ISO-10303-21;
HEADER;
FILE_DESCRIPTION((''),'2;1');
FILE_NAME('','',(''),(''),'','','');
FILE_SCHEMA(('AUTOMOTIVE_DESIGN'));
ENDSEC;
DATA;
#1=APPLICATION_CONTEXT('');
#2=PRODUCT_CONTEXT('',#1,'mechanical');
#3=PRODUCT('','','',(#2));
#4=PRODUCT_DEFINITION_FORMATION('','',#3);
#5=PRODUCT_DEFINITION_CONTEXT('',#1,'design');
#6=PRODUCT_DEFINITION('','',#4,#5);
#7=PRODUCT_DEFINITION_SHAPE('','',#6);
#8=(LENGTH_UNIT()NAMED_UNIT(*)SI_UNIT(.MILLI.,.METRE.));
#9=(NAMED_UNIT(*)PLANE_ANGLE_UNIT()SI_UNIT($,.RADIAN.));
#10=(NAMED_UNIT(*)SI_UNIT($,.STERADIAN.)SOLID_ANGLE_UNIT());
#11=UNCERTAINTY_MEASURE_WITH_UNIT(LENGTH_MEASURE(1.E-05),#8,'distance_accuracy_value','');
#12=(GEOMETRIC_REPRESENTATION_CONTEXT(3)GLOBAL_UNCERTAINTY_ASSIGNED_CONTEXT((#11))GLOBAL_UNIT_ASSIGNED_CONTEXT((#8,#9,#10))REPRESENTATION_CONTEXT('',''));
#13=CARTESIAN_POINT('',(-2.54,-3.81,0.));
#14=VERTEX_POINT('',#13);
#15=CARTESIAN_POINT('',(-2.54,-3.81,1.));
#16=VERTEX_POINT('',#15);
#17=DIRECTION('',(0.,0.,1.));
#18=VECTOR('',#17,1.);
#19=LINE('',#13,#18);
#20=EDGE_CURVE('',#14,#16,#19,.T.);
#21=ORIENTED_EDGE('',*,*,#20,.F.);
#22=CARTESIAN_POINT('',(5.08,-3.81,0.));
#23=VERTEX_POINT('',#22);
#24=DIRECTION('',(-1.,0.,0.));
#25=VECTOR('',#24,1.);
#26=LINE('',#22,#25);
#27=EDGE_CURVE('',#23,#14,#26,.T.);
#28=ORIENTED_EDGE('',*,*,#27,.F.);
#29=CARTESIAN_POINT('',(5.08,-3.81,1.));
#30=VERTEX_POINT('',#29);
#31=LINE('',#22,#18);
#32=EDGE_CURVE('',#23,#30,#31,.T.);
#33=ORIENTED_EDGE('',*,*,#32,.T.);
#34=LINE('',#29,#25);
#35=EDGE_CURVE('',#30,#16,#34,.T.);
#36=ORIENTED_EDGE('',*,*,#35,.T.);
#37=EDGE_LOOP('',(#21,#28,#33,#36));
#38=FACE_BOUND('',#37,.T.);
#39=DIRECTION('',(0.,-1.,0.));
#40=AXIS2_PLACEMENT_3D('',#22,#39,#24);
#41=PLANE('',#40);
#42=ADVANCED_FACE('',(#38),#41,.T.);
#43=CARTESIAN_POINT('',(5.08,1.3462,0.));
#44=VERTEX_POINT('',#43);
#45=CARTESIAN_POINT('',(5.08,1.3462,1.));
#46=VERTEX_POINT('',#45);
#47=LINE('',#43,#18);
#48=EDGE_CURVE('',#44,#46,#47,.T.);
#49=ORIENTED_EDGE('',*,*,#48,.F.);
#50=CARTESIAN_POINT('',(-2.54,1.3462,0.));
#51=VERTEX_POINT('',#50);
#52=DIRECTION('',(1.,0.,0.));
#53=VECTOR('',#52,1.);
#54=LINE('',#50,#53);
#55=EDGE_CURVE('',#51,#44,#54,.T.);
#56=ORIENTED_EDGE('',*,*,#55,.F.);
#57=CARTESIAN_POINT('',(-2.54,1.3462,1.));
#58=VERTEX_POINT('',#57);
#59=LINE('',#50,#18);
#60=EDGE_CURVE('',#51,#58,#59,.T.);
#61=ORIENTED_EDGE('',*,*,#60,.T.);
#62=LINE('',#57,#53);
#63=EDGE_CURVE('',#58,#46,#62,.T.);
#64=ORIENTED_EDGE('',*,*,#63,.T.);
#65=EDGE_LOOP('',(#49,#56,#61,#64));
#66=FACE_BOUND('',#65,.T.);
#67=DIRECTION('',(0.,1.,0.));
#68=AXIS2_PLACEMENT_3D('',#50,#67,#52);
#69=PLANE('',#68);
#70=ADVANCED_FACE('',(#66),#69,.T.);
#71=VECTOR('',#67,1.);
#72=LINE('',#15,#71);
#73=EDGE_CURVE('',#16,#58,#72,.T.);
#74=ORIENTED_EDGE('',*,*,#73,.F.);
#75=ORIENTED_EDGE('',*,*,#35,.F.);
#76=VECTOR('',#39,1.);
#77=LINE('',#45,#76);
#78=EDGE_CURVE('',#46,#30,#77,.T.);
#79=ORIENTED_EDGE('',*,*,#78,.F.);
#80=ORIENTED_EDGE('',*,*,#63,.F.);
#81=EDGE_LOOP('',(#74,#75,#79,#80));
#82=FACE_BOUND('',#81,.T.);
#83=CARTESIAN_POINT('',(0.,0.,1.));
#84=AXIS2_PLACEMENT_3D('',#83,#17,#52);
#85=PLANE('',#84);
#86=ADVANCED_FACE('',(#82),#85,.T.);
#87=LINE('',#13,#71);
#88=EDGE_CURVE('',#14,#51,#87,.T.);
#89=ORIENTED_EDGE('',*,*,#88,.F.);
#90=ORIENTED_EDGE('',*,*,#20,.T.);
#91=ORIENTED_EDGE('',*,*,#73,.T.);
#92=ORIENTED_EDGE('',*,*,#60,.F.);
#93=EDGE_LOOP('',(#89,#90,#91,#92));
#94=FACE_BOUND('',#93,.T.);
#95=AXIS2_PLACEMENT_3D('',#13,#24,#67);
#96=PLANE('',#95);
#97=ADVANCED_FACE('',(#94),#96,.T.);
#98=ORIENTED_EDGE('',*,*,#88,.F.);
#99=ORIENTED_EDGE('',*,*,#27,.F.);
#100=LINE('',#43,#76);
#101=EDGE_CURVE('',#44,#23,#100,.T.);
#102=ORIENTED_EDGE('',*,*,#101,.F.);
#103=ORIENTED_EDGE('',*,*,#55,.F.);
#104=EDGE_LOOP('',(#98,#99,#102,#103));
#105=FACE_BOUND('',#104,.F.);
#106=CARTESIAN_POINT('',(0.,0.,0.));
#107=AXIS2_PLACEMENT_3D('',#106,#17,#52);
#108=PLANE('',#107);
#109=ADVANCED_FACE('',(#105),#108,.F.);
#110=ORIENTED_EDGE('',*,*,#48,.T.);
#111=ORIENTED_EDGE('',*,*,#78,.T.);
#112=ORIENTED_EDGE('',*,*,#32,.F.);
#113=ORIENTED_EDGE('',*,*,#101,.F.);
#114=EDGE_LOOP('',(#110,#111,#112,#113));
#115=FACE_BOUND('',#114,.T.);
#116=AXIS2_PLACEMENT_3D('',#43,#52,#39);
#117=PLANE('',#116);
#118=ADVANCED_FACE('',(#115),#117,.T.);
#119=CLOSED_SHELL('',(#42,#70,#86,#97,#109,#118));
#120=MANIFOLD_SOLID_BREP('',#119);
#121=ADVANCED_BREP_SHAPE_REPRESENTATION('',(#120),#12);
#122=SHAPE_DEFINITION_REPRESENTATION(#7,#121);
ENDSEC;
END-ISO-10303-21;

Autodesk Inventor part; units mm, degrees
ref_plane "YZ Plane" through (0, 0, 0) normal (1, 0, 0) x (0, 1, 0)
ref_plane "XZ Plane" through (0, 0, 0) normal (0, 1, 0) x (-1, 0, 0)
ref_plane "XY Plane" through (0, 0, 0) normal (0, 0, 1) x (1, 0, 0)
sketch "2X03SMD, JP5_2X03SMD_35" plane through (0, 0, 0) normal (0, 0, 1) x (1, 0, 0)
  line L0 (-2.54, 1.3462) -> (5.08, 1.3462)
  line L1 (5.08, 1.3462) -> (5.08, -3.81)
  line L2 (5.08, -3.81) -> (-2.54, -3.81)
  line L3 (-2.54, -3.81) -> (-2.54, 1.3462)
extrude "Extrusion1" add sketch "2X03SMD, JP5_2X03SMD_35" along normal blind 1
properties part number "JP5_2X03SMD"
